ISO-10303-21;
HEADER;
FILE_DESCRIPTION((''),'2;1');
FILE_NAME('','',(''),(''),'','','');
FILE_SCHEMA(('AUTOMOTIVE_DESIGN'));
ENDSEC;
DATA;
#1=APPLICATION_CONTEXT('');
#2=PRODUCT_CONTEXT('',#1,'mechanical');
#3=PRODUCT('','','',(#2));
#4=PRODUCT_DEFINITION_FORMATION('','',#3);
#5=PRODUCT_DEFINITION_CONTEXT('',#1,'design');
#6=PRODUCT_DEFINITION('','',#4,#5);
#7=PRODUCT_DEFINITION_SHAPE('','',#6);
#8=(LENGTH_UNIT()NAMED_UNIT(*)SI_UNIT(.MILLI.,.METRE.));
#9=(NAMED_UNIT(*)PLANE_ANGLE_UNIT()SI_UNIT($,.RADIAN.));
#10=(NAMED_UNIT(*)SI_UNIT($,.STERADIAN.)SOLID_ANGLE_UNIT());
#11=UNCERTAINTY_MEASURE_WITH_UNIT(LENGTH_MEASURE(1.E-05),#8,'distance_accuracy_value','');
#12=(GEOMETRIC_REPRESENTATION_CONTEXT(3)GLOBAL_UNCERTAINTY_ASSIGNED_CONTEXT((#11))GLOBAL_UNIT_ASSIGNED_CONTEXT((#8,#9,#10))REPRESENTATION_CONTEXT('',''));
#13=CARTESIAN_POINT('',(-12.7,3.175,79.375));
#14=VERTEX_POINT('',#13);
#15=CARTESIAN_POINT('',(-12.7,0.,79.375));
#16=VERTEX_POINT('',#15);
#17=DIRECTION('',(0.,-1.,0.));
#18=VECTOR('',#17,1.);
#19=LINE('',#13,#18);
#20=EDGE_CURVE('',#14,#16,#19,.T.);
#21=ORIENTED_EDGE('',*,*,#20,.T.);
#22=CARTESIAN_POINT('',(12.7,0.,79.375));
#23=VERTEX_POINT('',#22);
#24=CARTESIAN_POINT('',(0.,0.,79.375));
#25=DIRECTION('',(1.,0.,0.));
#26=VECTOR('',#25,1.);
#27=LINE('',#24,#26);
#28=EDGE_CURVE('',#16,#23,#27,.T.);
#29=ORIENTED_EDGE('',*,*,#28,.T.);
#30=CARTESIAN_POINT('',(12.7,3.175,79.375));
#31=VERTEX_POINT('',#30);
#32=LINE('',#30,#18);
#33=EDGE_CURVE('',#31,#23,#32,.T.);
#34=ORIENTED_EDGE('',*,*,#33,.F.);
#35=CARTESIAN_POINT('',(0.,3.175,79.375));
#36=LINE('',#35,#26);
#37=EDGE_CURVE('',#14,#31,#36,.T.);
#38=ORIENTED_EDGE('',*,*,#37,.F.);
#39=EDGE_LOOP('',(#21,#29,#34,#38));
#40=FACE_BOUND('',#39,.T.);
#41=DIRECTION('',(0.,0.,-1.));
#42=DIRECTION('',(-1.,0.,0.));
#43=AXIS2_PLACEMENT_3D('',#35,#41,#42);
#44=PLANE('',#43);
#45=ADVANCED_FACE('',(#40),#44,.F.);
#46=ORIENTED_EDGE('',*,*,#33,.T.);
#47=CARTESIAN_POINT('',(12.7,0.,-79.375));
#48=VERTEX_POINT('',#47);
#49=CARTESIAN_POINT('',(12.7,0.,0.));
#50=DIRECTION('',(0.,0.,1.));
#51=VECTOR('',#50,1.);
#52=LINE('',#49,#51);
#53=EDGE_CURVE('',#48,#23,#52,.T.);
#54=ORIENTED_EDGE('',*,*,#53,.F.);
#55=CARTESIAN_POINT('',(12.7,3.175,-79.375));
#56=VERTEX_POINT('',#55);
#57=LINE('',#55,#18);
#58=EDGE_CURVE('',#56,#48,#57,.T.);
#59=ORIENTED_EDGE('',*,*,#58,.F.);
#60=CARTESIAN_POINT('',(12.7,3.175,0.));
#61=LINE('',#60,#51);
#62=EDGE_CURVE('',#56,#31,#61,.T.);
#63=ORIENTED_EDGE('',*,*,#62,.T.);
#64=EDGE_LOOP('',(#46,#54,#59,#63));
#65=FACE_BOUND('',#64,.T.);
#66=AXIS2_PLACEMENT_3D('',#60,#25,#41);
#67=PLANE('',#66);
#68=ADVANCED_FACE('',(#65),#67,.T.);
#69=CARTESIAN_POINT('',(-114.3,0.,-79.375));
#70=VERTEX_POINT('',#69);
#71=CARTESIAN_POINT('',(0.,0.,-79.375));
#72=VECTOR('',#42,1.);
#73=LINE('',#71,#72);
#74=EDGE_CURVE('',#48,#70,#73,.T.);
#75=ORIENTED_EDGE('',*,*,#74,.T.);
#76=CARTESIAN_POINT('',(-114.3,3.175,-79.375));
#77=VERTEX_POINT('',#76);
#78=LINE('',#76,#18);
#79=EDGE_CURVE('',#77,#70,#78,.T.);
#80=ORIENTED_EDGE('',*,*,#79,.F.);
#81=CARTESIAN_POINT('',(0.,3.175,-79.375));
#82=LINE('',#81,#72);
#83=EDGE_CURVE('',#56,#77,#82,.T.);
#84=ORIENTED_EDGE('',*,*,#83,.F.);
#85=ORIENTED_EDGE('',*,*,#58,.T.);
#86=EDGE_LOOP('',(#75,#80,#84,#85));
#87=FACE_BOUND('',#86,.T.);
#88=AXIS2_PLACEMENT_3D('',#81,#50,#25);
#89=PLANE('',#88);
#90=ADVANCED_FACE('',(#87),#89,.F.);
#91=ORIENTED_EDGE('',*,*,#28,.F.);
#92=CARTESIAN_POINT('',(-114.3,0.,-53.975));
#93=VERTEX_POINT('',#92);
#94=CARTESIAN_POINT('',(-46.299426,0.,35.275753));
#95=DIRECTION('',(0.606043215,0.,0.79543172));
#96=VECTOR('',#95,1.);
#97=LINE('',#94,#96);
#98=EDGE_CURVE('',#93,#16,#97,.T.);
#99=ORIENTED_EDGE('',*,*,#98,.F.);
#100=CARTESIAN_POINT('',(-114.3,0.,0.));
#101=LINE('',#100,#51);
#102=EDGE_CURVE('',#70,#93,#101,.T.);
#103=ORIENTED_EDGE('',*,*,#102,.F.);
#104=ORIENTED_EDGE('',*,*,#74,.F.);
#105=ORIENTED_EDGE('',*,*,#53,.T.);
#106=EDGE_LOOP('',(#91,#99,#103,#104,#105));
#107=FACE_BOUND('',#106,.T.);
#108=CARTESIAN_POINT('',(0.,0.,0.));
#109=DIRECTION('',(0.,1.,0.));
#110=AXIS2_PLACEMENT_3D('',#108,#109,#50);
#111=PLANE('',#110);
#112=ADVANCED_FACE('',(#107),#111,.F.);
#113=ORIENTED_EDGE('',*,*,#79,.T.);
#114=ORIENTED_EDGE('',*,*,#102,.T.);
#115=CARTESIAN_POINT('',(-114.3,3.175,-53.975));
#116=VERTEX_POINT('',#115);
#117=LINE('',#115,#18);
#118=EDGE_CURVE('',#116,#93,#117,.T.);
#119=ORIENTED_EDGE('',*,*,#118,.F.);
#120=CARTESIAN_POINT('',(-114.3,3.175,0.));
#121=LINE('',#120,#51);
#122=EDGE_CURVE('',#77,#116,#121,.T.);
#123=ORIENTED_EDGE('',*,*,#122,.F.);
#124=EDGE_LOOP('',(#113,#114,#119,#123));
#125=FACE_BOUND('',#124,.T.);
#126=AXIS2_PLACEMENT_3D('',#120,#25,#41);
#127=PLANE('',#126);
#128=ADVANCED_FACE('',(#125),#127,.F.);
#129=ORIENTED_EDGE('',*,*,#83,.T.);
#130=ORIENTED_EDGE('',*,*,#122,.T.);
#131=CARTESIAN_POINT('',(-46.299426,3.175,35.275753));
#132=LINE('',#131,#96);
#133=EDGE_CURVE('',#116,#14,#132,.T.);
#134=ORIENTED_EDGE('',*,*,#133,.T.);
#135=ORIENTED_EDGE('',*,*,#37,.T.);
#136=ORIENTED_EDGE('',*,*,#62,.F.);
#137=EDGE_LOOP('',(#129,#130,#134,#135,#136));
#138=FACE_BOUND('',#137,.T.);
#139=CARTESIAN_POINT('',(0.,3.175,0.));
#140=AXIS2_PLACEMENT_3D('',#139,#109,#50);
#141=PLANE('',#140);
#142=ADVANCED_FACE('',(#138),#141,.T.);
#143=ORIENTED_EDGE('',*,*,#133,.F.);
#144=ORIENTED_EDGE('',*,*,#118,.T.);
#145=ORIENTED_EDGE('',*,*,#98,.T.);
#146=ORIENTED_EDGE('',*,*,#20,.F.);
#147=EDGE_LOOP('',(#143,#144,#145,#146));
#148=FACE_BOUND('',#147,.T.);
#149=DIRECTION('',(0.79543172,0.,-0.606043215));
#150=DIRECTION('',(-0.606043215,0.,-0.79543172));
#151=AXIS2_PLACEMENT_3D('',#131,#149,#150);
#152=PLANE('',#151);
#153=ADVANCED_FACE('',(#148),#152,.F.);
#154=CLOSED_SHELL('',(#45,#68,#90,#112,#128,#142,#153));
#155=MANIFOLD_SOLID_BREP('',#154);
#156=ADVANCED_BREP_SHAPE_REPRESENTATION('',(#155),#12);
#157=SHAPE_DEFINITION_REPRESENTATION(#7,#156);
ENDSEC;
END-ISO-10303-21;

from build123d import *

# Parameters (mm, degrees)
SKETCH1_W           = 101.6
SKETCH1_H           = 25.4
SKETCH1_W_2         = 25.4
SKETCH1_H_2         = 158.75
BOSS_EXTRUDE1_DEPTH = 3.175


with BuildPart() as part:
    # Sketch1 → Boss-Extrude1 (new body)
    with BuildSketch(Plane(origin=(0, 0, 0), x_dir=(1, 0, 0), z_dir=(0, 1, 0))):
        with Locations((-63.5, 66.675)):
            Rectangle(SKETCH1_W, SKETCH1_H)
        Polygon((-12.7, -79.375), (-12.7, 53.975), (-114.3, 53.975), align=None)
        Rectangle(SKETCH1_W_2, SKETCH1_H_2)
    extrude(amount=BOSS_EXTRUDE1_DEPTH)


solid = part.part
